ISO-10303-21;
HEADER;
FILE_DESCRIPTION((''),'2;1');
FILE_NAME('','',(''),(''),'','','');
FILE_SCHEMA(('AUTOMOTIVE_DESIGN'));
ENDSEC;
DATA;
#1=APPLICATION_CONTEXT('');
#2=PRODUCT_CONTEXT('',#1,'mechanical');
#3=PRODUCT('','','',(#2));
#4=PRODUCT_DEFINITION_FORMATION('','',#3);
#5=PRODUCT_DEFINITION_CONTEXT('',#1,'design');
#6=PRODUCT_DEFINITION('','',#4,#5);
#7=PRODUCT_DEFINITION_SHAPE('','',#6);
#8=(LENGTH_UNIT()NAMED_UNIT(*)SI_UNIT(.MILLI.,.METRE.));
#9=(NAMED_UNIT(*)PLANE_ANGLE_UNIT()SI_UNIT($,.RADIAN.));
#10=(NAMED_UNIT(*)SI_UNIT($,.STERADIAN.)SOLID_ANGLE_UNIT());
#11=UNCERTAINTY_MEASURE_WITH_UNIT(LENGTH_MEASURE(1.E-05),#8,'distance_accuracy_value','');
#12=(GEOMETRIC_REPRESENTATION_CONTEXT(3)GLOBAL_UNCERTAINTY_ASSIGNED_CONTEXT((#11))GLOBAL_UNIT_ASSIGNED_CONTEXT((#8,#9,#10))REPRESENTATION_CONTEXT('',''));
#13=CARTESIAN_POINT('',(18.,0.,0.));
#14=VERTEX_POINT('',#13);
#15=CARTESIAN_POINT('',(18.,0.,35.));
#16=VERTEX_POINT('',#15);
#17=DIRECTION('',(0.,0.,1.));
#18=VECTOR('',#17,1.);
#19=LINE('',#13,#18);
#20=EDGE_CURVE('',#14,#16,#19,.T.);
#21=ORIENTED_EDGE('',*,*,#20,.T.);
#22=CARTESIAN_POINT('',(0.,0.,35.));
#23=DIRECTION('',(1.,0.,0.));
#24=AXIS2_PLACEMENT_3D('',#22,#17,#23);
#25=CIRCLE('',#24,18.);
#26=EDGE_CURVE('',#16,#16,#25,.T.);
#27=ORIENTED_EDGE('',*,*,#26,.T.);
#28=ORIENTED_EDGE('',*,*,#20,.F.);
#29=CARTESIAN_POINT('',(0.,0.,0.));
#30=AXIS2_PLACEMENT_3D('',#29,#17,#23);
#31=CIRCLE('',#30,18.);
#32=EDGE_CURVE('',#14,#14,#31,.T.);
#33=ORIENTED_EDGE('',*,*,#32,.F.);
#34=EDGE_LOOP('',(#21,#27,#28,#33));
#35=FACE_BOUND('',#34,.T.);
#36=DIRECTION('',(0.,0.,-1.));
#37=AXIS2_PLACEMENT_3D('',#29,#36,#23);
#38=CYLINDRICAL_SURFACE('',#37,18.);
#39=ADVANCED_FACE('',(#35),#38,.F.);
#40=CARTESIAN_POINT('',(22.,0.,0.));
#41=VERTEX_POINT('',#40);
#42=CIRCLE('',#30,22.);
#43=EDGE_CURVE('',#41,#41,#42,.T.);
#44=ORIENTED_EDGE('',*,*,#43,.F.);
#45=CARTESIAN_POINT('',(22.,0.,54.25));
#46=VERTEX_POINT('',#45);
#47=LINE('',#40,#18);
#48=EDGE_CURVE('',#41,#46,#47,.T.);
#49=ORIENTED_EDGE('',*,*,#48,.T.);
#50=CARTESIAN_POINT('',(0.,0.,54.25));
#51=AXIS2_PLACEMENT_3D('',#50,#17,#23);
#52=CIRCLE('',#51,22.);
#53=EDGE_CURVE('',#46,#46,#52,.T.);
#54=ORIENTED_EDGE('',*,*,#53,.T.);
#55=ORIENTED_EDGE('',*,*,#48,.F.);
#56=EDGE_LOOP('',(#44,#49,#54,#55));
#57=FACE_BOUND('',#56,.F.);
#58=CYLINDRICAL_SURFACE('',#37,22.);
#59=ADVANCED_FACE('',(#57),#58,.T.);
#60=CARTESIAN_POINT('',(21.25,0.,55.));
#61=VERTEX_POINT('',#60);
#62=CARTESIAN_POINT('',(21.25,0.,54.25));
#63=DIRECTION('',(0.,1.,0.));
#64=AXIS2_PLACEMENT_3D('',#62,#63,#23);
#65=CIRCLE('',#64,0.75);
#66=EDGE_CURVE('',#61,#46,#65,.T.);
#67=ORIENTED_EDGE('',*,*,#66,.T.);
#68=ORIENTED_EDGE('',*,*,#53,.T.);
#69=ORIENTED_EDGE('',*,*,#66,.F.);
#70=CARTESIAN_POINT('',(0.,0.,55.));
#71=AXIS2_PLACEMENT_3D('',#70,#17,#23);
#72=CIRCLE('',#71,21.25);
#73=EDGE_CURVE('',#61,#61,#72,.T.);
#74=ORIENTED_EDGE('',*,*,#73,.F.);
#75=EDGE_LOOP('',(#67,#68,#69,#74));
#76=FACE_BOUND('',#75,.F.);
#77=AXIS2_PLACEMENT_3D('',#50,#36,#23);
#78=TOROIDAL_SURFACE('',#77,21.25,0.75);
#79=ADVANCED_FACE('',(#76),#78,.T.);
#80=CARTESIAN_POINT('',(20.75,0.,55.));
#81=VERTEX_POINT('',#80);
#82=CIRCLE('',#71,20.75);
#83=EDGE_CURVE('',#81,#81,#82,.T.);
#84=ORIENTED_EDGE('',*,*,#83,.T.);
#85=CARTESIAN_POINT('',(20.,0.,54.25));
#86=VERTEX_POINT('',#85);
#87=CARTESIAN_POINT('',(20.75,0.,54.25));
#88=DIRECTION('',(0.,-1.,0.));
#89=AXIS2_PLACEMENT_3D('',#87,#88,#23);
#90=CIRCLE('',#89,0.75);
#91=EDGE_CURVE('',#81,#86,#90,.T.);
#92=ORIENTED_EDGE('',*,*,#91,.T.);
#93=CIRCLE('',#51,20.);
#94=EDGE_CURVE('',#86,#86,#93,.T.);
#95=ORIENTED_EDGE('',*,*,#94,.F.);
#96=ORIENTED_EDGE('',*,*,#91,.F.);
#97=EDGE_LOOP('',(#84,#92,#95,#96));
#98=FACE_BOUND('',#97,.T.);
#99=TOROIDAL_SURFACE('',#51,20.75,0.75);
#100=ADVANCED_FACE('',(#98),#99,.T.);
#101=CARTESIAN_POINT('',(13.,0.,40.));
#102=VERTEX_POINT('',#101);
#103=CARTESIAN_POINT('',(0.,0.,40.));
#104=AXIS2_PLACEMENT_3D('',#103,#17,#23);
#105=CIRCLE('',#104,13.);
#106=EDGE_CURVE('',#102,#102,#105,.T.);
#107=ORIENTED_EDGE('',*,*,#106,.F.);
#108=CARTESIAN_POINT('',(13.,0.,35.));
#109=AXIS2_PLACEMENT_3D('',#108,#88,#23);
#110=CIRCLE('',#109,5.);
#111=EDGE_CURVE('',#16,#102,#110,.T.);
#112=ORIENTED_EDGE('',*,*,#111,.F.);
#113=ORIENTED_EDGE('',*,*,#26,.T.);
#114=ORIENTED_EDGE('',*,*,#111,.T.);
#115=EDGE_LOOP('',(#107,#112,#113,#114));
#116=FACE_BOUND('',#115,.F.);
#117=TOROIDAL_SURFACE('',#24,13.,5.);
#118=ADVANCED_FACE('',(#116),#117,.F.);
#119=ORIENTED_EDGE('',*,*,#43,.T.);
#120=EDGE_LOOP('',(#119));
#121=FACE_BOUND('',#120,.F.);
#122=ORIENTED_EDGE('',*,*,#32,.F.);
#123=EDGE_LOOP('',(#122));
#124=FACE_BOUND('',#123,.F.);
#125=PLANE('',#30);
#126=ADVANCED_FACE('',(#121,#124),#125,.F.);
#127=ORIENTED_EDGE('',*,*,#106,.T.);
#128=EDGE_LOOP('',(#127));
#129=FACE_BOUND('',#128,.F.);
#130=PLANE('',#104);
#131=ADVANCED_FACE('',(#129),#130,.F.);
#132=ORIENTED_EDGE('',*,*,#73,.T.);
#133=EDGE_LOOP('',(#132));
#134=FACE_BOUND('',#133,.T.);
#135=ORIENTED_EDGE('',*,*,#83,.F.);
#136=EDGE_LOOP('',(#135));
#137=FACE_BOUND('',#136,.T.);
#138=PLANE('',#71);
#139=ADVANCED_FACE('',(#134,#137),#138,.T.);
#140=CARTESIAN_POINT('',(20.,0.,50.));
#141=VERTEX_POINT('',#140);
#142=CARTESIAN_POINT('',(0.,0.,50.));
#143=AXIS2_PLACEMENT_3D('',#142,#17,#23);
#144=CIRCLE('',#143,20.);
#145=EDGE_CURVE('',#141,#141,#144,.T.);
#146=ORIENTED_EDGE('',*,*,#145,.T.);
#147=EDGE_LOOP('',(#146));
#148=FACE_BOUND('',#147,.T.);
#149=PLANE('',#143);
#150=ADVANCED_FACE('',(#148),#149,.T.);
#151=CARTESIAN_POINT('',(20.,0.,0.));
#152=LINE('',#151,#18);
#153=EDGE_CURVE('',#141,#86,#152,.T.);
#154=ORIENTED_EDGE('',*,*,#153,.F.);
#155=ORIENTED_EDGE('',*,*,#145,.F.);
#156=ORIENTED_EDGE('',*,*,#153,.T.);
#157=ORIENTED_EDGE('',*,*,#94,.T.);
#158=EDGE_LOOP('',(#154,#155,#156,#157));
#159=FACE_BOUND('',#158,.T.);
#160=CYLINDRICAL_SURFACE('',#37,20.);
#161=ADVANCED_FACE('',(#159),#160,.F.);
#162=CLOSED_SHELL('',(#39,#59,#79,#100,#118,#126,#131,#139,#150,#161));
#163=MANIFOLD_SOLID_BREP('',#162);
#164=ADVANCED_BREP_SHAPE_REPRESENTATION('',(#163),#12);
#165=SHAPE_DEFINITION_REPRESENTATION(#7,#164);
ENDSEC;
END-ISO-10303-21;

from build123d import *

# Parameters (mm, degrees)
F0_R     = 20
F0_R_2   = 18
F1_DEPTH = 50
F0_R_3   = 22
F2_DEPTH = 55
F3_DEPTH = 40
F4_R     = 0.75
F5_R     = 0.75
F6_R     = 5


with BuildPart() as f1:
    # F0 (on Top) → F1 (new body)
    with BuildSketch(Plane.XY):
        Circle(F0_R)
        Circle(F0_R_2, mode=Mode.SUBTRACT)
        Circle(F0_R_2)
    extrude(amount=F1_DEPTH)

    # F0 (on Top) → F2 (join)
    with BuildSketch(Plane.XY):
        Circle(F0_R_3)
        Circle(F0_R, mode=Mode.SUBTRACT)
    extrude(amount=F2_DEPTH)

    # F0 (on Top) → F3 (cut)
    with BuildSketch(Plane.XY):
        Circle(F0_R_2)
    extrude(amount=F3_DEPTH, mode=Mode.SUBTRACT)

    # F4
    f4_edges = [f1.edges().sort_by_distance(p)[0] for p in [
        (-20, 0, 55),
    ]]
    fillet(f4_edges, radius=F4_R)

    # F5
    f5_edges = [f1.edges().sort_by_distance(p)[0] for p in [
        (-22, 0, 55),
    ]]
    fillet(f5_edges, radius=F5_R)

    # F6
    f6_edges = [f1.edges().sort_by_distance(p)[0] for p in [
        (-18, 0, 40),
    ]]
    fillet(f6_edges, radius=F6_R)


solid = f1.part
